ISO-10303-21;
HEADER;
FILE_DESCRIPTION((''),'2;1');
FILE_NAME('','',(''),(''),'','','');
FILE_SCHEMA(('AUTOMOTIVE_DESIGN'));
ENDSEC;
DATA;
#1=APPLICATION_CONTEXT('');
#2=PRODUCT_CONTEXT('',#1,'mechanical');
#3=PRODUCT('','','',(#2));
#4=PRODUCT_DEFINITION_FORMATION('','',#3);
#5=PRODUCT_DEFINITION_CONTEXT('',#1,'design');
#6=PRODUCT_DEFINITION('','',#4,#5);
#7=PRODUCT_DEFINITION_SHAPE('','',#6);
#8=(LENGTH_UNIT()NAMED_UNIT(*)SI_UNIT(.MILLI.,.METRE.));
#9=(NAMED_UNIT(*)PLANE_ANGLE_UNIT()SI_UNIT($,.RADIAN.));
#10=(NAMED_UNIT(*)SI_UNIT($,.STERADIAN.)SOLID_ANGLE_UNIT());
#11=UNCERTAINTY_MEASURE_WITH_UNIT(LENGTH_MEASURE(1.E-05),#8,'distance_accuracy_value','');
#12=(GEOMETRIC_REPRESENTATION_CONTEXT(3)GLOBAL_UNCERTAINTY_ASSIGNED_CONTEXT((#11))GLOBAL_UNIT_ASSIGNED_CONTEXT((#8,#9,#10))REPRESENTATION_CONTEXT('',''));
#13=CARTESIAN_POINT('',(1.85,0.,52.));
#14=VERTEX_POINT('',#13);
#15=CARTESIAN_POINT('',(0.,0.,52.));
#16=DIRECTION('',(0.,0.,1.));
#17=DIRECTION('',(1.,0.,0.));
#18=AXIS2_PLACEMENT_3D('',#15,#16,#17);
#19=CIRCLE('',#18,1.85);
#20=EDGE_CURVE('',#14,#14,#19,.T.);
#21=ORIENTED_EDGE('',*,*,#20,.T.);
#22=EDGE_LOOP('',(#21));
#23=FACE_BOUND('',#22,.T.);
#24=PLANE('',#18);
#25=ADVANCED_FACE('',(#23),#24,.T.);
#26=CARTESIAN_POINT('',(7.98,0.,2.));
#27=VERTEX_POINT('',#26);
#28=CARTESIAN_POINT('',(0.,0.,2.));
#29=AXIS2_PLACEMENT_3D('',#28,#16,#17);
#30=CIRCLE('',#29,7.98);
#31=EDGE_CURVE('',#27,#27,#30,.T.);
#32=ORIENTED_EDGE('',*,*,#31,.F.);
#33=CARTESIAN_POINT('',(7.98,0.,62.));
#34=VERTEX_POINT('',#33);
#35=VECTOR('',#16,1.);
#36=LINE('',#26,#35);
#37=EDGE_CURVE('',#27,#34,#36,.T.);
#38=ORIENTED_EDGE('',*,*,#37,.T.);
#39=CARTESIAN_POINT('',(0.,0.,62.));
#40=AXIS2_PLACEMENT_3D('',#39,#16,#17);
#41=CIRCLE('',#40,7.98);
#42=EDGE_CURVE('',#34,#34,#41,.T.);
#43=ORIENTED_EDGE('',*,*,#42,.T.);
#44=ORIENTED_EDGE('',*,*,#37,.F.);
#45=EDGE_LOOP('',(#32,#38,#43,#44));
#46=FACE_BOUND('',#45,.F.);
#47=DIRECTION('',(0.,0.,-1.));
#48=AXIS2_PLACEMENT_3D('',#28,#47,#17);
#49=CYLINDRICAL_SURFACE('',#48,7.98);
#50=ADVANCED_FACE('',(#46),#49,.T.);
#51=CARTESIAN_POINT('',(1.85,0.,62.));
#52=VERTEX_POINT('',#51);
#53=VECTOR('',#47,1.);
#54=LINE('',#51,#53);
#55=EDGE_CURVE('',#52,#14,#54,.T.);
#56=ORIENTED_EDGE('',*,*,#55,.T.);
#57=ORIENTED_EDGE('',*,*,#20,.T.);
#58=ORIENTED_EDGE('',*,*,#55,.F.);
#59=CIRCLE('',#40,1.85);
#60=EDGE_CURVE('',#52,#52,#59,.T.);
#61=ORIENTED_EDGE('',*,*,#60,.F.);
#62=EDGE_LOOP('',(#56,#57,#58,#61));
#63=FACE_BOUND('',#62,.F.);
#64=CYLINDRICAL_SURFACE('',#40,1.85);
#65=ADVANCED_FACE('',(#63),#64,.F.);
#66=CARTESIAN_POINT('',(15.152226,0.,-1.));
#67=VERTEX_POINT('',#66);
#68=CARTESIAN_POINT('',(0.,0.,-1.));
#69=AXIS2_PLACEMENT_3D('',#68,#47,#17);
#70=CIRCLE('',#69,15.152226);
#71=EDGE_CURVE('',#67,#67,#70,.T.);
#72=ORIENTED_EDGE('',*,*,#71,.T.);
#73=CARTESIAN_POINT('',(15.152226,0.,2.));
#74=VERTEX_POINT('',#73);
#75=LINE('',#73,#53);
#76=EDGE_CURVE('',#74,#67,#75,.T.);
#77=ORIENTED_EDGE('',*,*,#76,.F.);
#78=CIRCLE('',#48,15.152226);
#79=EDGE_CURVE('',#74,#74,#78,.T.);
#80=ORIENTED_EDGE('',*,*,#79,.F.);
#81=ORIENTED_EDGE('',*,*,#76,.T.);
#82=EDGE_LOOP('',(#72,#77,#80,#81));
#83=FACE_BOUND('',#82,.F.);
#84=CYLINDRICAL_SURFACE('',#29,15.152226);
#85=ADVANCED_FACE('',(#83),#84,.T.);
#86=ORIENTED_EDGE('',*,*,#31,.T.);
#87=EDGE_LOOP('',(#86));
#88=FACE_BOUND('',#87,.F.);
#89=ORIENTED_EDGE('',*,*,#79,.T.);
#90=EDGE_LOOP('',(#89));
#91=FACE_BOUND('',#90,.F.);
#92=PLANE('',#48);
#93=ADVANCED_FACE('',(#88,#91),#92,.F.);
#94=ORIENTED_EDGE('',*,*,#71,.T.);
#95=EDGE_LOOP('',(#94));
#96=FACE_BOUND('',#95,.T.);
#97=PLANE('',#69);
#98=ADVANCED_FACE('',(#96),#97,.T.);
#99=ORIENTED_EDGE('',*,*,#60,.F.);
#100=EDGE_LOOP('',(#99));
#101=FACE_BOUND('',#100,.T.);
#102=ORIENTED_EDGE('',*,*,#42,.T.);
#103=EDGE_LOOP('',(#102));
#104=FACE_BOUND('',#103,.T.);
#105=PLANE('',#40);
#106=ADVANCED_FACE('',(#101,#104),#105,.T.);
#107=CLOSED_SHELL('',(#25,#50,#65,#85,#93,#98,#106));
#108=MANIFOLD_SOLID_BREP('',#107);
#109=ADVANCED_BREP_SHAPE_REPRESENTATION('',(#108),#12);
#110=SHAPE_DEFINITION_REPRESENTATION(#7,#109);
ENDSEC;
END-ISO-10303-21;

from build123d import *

# Parameters (mm, degrees)
SKETCH001_R  = 7.98
PAD001_DEPTH = 60
SKETCH002_R  = 1.85
POCKET_DEPTH = 10
SKETCH_R     = 15.152226
PAD_DEPTH    = 3


with BuildPart() as part:
    # Sketch001 → Pad001 (new body)
    with BuildSketch(Plane.XY.offset(2)):
        Circle(SKETCH001_R)
    extrude(amount=PAD001_DEPTH)

    # Sketch002 → Pocket (cut)
    with BuildSketch(Plane.XY.offset(62)):
        Circle(SKETCH002_R)
    extrude(amount=-POCKET_DEPTH, mode=Mode.SUBTRACT)

    # Sketch → Pad (new body)
    with BuildSketch(Plane(origin=(0, 0, 2), x_dir=(1, 0, 0), z_dir=(0, 0, -1))):
        Circle(SKETCH_R)
    extrude(amount=PAD_DEPTH)


solid = part.part
